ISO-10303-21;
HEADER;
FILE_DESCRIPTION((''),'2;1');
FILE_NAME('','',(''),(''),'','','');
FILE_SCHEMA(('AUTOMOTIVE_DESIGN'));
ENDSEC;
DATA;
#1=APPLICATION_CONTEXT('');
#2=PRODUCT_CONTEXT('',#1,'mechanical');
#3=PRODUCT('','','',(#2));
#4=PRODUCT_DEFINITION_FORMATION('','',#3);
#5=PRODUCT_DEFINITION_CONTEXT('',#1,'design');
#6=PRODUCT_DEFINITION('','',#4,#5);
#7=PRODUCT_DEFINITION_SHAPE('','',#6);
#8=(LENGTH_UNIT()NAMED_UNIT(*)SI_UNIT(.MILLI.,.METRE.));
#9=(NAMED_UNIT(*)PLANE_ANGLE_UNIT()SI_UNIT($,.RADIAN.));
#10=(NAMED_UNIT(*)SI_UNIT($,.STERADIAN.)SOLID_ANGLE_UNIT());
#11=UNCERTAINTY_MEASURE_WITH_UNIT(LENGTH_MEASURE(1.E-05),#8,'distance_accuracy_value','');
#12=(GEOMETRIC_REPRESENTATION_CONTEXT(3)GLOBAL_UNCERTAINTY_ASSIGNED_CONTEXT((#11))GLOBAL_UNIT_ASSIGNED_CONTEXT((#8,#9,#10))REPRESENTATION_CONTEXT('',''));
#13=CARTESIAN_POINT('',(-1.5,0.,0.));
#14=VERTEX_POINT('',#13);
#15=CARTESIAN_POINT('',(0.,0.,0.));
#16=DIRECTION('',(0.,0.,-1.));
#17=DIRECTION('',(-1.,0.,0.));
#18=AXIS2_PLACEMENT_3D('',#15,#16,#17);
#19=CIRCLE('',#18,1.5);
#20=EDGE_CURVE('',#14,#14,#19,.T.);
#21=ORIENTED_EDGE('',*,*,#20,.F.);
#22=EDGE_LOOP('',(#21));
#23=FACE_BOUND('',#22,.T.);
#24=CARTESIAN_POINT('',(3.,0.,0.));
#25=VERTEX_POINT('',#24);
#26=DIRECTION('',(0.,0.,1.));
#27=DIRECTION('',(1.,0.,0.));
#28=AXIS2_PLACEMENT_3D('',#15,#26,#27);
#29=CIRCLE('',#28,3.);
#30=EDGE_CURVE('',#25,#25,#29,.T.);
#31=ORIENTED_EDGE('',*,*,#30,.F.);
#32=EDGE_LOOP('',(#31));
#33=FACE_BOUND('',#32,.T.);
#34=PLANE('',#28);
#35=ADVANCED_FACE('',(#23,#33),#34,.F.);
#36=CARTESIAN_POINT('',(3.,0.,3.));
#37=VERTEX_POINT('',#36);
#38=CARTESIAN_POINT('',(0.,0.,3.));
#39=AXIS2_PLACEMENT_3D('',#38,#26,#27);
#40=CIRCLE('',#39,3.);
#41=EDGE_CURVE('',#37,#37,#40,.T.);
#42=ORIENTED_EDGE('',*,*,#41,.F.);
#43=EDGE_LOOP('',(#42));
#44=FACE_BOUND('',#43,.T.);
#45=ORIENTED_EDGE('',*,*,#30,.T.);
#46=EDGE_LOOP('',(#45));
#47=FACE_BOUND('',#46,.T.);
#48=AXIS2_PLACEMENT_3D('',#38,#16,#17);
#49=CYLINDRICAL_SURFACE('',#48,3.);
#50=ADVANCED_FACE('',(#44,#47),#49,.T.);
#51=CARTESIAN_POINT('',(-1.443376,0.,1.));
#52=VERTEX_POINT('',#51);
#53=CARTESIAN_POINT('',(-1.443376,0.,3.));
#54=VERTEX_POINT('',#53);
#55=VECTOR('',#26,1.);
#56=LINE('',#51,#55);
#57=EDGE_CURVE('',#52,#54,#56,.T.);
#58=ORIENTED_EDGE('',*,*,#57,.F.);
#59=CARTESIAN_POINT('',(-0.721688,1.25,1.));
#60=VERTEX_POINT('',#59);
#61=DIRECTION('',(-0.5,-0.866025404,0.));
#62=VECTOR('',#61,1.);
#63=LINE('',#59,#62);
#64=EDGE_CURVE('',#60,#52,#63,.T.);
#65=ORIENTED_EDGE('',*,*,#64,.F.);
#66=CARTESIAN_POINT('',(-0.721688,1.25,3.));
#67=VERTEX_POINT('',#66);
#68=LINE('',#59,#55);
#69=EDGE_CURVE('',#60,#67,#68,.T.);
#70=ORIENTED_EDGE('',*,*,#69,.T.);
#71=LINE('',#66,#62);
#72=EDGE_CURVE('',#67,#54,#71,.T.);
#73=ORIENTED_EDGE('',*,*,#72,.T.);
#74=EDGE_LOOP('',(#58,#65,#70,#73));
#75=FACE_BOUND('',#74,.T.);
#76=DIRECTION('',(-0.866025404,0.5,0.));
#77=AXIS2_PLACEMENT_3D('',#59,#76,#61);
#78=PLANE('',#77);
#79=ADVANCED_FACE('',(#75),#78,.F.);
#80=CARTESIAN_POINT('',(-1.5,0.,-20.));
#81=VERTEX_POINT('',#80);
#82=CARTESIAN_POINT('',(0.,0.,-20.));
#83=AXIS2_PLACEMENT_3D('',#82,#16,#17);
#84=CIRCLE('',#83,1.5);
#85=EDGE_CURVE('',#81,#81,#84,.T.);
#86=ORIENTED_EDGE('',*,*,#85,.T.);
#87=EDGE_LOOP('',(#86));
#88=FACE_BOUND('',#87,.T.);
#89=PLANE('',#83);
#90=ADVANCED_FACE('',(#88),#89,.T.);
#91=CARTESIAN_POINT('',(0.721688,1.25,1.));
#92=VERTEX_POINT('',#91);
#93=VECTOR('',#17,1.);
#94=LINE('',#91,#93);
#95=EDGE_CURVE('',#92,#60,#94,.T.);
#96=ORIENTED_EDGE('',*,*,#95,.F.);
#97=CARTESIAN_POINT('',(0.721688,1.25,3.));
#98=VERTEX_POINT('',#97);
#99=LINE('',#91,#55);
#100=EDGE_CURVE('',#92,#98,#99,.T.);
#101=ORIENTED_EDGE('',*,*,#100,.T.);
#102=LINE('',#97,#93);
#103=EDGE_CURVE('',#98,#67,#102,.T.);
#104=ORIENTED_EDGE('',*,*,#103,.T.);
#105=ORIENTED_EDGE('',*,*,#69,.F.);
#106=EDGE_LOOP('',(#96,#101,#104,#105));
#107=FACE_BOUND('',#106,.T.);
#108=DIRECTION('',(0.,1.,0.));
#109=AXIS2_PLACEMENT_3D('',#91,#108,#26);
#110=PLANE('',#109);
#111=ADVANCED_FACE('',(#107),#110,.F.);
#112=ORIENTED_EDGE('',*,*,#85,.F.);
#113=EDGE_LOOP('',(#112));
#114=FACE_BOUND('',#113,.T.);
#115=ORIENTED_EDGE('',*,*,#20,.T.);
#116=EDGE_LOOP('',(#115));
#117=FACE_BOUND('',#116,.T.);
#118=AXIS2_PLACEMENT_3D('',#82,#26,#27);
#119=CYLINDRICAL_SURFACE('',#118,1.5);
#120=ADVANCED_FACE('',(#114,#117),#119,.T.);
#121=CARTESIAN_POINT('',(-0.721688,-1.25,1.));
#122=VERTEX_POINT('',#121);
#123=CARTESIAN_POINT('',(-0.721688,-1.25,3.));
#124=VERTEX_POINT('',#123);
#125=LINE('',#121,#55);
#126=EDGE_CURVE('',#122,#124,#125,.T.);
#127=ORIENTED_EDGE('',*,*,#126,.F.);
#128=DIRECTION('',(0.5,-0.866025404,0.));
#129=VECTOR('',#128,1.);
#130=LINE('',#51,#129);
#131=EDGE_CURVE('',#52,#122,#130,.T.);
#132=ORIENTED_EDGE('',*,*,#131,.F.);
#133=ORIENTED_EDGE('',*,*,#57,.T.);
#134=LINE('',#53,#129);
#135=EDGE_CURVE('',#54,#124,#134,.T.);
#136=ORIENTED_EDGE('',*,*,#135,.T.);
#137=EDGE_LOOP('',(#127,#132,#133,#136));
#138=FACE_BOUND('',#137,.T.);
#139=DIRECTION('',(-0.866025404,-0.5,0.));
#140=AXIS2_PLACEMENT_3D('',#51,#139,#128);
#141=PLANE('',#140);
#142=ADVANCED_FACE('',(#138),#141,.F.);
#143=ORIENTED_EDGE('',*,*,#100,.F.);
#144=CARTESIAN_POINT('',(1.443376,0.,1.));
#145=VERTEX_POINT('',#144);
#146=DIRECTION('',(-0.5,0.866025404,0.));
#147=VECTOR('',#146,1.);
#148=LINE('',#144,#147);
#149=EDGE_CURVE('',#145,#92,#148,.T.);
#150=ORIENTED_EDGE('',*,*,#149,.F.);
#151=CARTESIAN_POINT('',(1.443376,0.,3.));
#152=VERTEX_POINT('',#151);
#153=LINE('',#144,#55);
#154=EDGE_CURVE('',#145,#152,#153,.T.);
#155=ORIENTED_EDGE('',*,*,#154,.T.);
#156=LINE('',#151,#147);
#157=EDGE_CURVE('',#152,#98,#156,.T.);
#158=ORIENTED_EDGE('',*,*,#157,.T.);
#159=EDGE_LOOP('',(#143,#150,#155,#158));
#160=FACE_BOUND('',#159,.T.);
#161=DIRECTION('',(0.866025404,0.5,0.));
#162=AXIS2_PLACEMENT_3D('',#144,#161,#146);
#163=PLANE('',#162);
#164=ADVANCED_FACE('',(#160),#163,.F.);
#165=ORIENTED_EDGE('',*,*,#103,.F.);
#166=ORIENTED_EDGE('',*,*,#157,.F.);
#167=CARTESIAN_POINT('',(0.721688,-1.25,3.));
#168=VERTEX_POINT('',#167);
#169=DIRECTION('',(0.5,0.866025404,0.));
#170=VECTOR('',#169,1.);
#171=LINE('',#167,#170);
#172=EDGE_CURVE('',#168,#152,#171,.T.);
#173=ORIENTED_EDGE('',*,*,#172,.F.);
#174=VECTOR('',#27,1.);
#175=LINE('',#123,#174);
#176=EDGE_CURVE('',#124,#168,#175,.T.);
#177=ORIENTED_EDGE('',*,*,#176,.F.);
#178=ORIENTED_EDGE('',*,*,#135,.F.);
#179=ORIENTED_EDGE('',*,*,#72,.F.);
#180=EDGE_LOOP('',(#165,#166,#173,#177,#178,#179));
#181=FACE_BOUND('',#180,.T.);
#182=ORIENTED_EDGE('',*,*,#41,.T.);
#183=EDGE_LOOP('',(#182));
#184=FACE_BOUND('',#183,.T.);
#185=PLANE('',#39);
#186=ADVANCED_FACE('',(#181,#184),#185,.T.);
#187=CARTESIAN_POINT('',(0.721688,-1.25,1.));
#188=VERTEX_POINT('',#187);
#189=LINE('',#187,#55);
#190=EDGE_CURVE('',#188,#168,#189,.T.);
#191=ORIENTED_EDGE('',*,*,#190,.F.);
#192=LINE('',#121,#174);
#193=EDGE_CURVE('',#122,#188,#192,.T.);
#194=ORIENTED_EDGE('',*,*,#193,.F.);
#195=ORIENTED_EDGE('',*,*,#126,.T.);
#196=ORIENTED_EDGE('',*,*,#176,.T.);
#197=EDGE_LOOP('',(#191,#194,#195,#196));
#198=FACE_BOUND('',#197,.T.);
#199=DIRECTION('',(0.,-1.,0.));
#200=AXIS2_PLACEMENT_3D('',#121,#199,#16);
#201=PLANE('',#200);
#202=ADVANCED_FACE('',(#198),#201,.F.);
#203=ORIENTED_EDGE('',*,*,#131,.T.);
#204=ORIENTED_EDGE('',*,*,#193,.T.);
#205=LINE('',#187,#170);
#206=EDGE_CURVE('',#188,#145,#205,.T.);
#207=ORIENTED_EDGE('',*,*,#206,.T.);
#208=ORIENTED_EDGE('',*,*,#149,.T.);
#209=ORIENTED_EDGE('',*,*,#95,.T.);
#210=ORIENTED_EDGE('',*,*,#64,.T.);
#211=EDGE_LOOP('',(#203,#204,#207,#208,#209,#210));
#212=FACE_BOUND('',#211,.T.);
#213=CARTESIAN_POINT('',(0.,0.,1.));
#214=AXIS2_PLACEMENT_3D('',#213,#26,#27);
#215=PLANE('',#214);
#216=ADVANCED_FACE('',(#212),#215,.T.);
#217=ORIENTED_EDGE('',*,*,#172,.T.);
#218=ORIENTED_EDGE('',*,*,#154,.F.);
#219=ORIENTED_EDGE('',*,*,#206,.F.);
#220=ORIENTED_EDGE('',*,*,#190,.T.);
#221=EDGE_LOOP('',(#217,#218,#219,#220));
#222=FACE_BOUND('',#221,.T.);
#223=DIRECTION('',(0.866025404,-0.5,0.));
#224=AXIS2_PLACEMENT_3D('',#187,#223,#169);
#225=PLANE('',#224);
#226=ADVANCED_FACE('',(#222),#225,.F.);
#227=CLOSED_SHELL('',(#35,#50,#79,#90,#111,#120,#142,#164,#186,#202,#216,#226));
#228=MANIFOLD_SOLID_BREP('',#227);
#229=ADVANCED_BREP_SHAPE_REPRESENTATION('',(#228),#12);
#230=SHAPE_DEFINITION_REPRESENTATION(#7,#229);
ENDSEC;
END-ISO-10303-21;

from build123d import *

# Parameters (mm, degrees)
SKETCH_5_R          = 3
EXTRUDE_1_DEPTH     = 3
CUT_EXTRUDE_1_DEPTH = 2
SKETCH_7_R          = 1.5
EXTRUDE_2_DEPTH     = 20


with BuildPart() as part:
    # ｽｹｯﾁ5 → ﾎﾞｽ - 押し出し1 (new body)
    with BuildSketch(Plane.XY):
        Circle(SKETCH_5_R)
    extrude(amount=EXTRUDE_1_DEPTH)

    # ｽｹｯﾁ6 → ｶｯﾄ - 押し出し1 (cut)
    with BuildSketch(Plane.XY.offset(3)):
        Polygon((1.443375673, 0), (0.721687836, 1.25), (-0.721687836, 1.25), (-1.443375673, 0), (-0.721687836, -1.25), (0.721687836, -1.25), align=None)
    extrude(amount=-CUT_EXTRUDE_1_DEPTH, mode=Mode.SUBTRACT)

    # ｽｹｯﾁ7 → ﾎﾞｽ - 押し出し2 (add)
    with BuildSketch(Plane(origin=(0, 0, 0), x_dir=(-1, 0, 0), z_dir=(0, 0, -1))):
        Circle(SKETCH_7_R)
    extrude(amount=EXTRUDE_2_DEPTH)


solid = part.part
